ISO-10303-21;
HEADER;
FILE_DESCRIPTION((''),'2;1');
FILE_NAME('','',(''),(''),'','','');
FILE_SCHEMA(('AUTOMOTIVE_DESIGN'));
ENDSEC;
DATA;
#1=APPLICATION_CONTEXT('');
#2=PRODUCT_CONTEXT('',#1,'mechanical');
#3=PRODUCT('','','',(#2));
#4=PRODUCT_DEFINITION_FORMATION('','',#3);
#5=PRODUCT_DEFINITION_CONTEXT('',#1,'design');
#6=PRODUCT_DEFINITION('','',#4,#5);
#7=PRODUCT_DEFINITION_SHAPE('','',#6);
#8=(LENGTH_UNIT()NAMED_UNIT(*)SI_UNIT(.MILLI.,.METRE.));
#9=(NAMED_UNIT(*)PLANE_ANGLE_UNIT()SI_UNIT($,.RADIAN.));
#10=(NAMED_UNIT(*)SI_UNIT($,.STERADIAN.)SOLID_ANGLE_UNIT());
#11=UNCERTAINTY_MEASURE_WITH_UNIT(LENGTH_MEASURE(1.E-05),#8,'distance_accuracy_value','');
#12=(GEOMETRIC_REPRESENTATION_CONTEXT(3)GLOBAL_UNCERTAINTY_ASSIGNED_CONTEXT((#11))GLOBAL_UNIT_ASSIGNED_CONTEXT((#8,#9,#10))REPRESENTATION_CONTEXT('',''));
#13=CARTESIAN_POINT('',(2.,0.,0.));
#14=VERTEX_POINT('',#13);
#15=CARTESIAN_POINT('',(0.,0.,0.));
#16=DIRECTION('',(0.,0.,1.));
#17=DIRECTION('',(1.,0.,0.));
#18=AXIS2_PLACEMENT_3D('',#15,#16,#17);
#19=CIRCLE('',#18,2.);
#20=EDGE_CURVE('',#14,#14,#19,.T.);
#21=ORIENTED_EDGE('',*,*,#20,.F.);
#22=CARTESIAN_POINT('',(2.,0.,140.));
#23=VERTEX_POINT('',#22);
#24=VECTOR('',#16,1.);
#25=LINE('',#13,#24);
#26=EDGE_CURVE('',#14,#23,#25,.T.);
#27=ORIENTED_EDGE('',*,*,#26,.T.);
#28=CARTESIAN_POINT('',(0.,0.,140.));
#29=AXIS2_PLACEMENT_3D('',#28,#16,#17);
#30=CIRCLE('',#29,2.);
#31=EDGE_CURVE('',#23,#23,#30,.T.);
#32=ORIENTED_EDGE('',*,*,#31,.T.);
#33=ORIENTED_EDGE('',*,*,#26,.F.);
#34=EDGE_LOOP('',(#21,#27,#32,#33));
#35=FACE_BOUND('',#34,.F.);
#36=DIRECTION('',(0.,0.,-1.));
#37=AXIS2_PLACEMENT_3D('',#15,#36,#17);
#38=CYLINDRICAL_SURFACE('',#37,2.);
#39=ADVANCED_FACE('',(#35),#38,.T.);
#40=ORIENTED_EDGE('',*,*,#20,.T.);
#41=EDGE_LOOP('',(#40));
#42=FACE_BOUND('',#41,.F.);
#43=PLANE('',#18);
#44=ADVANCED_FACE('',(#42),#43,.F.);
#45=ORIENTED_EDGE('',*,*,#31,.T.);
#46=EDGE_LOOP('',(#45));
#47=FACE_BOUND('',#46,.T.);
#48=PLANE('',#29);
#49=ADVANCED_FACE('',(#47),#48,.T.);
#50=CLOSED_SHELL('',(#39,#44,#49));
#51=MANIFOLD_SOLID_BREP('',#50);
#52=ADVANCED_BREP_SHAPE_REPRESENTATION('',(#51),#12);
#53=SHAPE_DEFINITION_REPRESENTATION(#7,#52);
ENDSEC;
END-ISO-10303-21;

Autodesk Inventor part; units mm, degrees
ref_plane "YZ Plane" through (0, 0, 0) normal (1, 0, 0) x (0, 1, 0)
ref_plane "XZ Plane" through (0, 0, 0) normal (0, 1, 0) x (-1, 0, 0)
ref_plane "XY Plane" through (0, 0, 0) normal (0, 0, 1) x (1, 0, 0)
sketch "Sketch1" plane through (0, 0, 0) normal (0, 0, 1) x (1, 0, 0)
  circle A0 centre (0, 0) radius 2
  dimension "d0" = 4
  dimension "d0" = 4
extrude "Extrusion1" add sketch "Sketch1" along normal blind 140
properties part number "rod_M4_140"
